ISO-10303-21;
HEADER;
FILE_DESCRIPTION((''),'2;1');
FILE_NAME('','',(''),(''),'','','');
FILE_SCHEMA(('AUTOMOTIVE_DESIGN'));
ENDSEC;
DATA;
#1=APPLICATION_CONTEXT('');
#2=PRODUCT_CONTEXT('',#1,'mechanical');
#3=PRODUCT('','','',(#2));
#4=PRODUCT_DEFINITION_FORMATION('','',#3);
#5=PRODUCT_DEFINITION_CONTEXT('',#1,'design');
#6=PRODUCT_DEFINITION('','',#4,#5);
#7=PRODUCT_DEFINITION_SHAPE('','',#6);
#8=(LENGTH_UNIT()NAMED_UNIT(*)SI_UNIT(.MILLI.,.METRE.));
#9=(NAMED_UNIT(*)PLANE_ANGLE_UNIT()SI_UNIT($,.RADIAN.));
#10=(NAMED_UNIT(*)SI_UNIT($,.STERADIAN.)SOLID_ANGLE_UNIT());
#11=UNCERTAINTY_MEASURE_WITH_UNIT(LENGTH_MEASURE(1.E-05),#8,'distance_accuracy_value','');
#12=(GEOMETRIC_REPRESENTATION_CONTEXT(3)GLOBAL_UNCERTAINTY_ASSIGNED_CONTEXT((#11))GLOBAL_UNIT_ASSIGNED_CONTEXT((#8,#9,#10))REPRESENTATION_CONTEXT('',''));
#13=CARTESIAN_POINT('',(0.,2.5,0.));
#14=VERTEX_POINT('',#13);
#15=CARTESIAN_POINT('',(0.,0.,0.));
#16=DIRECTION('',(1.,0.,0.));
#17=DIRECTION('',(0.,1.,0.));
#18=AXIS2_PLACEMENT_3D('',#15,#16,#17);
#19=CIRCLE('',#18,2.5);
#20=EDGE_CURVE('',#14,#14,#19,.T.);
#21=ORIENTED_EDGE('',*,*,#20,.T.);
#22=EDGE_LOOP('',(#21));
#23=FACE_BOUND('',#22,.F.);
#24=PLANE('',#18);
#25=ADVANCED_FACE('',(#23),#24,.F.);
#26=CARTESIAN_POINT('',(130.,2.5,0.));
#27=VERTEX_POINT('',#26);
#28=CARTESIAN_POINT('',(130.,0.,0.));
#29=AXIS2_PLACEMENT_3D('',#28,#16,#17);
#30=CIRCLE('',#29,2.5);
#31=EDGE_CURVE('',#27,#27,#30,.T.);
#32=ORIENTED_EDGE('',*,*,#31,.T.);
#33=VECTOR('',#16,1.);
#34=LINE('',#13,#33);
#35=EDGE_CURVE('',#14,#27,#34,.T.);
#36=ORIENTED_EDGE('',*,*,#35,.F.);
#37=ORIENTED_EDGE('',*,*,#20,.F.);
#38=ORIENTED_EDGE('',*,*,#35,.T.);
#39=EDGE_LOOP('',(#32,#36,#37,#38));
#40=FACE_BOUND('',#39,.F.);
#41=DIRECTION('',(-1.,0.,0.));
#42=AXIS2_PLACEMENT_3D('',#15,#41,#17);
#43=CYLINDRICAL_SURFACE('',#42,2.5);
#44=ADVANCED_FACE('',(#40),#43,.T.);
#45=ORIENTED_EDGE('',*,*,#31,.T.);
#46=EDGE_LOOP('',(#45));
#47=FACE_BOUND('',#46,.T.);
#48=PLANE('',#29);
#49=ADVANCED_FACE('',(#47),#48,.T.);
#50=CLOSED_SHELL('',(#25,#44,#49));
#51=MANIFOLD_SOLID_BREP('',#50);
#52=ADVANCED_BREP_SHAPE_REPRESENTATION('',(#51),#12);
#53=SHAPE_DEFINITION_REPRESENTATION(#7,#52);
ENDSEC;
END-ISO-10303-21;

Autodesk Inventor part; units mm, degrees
ref_plane "YZ Plane" through (0, 0, 0) normal (1, 0, 0) x (0, 1, 0)
ref_plane "XZ Plane" through (0, 0, 0) normal (0, 1, 0) x (-1, 0, 0)
ref_plane "XY Plane" through (0, 0, 0) normal (0, 0, 1) x (1, 0, 0)
sketch "Sketch1" plane through (0, 0, 0) normal (1, 0, 0) x (0, 1, 0)
  circle A0 centre (0, 0) radius 2.5
  dimension "d0" = 5
extrude "Extrusion1" add sketch "Sketch1" along normal blind 130
properties part number "Conveyor Shaft Pin" material "Lead"
